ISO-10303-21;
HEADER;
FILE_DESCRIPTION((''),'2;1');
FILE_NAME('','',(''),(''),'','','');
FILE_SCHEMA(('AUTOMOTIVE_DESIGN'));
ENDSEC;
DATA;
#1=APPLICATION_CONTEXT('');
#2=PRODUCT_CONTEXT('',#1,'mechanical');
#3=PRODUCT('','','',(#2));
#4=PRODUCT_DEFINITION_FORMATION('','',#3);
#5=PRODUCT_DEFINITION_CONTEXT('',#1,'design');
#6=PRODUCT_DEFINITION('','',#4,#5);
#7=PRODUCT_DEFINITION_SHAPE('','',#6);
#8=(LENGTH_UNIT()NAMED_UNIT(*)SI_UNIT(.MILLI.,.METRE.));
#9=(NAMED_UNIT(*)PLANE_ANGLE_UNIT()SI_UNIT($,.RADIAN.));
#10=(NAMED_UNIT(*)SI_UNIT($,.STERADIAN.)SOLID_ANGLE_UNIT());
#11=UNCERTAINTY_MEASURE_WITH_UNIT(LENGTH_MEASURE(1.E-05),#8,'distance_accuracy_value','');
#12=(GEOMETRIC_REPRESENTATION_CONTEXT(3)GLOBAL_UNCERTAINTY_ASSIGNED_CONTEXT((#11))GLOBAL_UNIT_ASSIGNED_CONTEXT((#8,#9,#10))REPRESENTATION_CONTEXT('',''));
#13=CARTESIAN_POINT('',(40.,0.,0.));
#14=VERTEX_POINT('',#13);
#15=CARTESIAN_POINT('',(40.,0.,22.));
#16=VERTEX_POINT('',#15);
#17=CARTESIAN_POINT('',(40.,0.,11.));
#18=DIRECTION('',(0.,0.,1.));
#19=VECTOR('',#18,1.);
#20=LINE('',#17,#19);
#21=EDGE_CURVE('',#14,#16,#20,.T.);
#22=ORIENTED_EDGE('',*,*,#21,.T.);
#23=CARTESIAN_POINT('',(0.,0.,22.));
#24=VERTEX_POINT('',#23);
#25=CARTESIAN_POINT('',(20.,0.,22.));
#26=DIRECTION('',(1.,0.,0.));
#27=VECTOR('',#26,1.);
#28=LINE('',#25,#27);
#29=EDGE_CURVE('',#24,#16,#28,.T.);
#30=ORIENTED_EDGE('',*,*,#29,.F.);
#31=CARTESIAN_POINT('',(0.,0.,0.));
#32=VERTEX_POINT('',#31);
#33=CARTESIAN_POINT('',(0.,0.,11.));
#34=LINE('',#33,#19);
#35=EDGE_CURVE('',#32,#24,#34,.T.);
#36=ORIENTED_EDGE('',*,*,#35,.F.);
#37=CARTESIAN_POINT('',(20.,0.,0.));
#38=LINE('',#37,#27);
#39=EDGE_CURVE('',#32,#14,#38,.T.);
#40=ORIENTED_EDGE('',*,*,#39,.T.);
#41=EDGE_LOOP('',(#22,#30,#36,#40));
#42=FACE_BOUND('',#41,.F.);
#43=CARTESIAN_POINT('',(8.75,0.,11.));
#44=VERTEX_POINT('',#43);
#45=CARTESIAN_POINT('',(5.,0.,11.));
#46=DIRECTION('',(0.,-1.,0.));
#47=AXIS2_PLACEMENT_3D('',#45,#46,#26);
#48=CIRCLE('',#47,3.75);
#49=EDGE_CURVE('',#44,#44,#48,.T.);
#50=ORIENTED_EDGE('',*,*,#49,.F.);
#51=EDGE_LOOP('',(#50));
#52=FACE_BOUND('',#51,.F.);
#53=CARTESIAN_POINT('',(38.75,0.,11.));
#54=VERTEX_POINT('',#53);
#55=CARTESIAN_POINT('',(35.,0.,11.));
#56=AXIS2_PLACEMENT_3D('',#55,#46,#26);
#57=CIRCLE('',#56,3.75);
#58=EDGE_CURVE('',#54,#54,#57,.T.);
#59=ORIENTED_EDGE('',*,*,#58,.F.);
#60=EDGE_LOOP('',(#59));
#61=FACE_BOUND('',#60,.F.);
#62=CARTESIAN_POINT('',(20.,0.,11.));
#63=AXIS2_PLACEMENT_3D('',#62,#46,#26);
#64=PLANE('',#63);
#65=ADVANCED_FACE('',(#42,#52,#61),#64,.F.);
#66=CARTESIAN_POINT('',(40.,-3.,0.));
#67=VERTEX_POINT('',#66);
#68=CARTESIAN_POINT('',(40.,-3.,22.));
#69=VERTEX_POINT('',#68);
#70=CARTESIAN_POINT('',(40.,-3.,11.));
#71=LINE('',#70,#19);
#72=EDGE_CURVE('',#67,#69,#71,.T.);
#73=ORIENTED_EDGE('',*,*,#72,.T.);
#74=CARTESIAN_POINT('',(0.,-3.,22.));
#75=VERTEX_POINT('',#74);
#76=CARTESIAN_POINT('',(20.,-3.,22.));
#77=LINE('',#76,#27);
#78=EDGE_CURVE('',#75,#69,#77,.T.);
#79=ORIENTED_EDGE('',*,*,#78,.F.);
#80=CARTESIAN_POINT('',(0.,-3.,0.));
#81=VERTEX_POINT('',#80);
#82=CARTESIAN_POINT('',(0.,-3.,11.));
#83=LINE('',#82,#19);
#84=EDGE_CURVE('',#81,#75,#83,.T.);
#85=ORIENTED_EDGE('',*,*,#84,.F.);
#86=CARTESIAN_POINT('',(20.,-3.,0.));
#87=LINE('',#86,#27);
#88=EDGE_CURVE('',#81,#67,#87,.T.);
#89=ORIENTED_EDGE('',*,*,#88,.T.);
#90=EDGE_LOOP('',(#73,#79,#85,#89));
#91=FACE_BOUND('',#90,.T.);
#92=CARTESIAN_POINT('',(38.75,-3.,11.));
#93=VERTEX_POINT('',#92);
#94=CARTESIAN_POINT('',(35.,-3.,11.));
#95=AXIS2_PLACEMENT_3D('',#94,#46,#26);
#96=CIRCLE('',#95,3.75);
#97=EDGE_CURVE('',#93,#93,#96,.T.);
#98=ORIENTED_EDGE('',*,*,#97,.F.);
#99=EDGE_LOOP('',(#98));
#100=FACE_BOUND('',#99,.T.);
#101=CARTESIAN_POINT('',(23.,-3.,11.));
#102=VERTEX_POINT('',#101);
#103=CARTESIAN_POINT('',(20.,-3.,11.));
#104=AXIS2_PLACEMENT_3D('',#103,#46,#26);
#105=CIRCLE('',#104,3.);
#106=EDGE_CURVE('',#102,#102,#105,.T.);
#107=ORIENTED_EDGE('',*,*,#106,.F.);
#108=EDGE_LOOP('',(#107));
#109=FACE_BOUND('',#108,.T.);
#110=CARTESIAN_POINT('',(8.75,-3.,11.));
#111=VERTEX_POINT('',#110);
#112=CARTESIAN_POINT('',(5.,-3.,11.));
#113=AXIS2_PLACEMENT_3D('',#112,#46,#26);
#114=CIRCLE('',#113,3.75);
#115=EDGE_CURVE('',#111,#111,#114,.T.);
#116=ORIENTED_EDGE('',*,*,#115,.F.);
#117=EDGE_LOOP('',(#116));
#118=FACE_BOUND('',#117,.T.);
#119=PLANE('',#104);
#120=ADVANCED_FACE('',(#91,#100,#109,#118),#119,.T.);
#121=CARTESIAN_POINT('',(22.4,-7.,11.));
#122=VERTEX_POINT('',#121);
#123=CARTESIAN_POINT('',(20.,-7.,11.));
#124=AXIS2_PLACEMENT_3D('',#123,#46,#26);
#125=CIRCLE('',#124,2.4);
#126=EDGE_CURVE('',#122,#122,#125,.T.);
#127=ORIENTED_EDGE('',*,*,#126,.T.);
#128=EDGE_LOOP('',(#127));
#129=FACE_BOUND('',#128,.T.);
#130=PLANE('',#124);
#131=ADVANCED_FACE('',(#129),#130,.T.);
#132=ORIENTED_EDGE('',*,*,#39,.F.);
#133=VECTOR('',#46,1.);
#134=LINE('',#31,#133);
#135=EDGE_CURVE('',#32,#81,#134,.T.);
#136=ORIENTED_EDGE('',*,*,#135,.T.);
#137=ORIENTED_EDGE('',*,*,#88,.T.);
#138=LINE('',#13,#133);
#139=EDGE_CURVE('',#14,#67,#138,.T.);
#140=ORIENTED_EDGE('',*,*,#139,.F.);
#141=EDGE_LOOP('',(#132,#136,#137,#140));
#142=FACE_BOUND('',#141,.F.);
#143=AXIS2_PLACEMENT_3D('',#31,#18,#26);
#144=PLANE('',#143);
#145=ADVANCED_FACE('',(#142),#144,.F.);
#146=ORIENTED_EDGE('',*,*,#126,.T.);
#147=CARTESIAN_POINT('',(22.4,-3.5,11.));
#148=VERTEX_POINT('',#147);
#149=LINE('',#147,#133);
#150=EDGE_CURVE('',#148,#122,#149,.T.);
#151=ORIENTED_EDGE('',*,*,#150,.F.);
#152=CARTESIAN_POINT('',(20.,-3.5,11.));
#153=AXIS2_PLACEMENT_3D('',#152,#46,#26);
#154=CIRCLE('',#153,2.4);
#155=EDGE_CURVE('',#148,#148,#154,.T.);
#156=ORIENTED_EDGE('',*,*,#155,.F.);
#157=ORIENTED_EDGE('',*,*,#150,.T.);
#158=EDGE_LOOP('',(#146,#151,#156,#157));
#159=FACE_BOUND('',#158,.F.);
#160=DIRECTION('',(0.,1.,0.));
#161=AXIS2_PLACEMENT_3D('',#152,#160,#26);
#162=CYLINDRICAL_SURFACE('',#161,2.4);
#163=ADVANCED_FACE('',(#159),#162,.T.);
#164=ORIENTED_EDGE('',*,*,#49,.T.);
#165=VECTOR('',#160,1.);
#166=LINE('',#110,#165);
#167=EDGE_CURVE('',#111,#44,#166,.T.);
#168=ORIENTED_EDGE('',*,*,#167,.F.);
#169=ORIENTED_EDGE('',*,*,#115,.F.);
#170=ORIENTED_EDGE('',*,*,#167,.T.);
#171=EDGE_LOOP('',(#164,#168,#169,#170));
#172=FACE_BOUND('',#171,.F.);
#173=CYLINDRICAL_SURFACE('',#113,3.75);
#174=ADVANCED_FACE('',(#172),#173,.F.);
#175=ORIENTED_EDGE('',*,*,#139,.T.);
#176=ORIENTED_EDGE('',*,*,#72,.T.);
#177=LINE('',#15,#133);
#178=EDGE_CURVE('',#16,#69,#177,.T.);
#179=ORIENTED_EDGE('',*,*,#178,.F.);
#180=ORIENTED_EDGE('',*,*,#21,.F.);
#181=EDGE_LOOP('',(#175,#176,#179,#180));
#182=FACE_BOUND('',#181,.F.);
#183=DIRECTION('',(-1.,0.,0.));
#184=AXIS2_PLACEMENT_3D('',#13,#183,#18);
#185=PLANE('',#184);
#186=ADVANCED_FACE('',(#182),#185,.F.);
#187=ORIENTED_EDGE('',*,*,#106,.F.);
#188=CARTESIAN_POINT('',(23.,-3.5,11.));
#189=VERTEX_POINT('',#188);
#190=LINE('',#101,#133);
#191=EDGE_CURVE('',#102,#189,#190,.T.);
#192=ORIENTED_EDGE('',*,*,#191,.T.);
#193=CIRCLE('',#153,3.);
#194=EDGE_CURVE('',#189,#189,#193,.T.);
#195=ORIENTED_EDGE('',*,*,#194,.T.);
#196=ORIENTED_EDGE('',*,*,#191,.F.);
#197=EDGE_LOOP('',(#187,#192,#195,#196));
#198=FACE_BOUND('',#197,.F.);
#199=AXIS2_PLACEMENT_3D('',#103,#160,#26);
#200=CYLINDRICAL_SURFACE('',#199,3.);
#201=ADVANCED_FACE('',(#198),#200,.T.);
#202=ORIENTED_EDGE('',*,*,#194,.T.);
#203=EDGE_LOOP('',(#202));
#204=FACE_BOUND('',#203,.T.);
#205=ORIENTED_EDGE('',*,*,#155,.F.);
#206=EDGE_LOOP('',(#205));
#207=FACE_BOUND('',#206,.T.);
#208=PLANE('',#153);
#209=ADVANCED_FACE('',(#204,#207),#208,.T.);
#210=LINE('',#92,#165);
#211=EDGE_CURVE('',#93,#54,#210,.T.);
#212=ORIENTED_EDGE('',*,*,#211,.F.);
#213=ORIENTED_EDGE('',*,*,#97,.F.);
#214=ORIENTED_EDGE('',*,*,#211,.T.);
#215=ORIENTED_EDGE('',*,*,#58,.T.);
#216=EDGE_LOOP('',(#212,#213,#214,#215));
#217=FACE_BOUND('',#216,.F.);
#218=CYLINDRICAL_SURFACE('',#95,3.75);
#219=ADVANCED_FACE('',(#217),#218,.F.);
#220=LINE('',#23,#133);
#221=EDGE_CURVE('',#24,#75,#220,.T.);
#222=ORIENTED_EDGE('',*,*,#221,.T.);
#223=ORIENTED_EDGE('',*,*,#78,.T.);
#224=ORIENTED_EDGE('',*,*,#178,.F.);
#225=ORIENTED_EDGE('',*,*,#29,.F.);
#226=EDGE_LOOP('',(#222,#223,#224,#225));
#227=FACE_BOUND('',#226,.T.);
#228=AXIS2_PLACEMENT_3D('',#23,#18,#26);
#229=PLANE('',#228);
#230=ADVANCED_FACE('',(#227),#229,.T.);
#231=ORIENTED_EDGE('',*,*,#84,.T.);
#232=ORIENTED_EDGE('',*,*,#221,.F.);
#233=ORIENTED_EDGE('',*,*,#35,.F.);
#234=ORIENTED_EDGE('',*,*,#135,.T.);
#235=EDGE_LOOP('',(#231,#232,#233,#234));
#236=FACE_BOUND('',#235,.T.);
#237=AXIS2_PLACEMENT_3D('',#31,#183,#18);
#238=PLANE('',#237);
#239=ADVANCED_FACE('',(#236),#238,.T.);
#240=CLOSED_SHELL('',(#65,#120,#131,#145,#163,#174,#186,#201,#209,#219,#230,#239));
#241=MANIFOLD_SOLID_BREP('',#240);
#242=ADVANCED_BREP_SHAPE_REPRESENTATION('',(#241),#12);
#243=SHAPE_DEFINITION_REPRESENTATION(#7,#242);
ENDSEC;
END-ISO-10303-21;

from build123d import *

# Parameters (mm, degrees)
F0_W     = 40
F0_H     = 22
F1_DEPTH = 3
F2_R     = 3
F3_DEPTH = 0.5
F4_R     = 2.4
F5_DEPTH = 3.5
F6_R     = 3.75
F7_DEPTH = 25


with BuildPart() as f1:
    # F0 (on Front) → F1 (new body)
    with BuildSketch(Plane.XZ):
        with Locations((20, 11)):
            Rectangle(F0_W, F0_H)
    extrude(amount=F1_DEPTH)

    # F2 (on face) → F3 (join)
    with BuildSketch(Plane.XZ.offset(3)):
        with Locations((20, 11)):
            Circle(F2_R)
    extrude(amount=F3_DEPTH)

    # F4 (on face) → F5 (join)
    with BuildSketch(Plane.XZ.offset(3.5)):
        with Locations((20, 11)):
            Circle(F4_R)
    extrude(amount=F5_DEPTH)

    # F6 (on face) → F7 (cut)
    with BuildSketch(Plane.XZ.offset(3)):
        with Locations((5, 11)):
            Circle(F6_R)
        with Locations((35, 11)):
            Circle(F6_R)
    extrude(amount=-F7_DEPTH, mode=Mode.SUBTRACT)


solid = f1.part
